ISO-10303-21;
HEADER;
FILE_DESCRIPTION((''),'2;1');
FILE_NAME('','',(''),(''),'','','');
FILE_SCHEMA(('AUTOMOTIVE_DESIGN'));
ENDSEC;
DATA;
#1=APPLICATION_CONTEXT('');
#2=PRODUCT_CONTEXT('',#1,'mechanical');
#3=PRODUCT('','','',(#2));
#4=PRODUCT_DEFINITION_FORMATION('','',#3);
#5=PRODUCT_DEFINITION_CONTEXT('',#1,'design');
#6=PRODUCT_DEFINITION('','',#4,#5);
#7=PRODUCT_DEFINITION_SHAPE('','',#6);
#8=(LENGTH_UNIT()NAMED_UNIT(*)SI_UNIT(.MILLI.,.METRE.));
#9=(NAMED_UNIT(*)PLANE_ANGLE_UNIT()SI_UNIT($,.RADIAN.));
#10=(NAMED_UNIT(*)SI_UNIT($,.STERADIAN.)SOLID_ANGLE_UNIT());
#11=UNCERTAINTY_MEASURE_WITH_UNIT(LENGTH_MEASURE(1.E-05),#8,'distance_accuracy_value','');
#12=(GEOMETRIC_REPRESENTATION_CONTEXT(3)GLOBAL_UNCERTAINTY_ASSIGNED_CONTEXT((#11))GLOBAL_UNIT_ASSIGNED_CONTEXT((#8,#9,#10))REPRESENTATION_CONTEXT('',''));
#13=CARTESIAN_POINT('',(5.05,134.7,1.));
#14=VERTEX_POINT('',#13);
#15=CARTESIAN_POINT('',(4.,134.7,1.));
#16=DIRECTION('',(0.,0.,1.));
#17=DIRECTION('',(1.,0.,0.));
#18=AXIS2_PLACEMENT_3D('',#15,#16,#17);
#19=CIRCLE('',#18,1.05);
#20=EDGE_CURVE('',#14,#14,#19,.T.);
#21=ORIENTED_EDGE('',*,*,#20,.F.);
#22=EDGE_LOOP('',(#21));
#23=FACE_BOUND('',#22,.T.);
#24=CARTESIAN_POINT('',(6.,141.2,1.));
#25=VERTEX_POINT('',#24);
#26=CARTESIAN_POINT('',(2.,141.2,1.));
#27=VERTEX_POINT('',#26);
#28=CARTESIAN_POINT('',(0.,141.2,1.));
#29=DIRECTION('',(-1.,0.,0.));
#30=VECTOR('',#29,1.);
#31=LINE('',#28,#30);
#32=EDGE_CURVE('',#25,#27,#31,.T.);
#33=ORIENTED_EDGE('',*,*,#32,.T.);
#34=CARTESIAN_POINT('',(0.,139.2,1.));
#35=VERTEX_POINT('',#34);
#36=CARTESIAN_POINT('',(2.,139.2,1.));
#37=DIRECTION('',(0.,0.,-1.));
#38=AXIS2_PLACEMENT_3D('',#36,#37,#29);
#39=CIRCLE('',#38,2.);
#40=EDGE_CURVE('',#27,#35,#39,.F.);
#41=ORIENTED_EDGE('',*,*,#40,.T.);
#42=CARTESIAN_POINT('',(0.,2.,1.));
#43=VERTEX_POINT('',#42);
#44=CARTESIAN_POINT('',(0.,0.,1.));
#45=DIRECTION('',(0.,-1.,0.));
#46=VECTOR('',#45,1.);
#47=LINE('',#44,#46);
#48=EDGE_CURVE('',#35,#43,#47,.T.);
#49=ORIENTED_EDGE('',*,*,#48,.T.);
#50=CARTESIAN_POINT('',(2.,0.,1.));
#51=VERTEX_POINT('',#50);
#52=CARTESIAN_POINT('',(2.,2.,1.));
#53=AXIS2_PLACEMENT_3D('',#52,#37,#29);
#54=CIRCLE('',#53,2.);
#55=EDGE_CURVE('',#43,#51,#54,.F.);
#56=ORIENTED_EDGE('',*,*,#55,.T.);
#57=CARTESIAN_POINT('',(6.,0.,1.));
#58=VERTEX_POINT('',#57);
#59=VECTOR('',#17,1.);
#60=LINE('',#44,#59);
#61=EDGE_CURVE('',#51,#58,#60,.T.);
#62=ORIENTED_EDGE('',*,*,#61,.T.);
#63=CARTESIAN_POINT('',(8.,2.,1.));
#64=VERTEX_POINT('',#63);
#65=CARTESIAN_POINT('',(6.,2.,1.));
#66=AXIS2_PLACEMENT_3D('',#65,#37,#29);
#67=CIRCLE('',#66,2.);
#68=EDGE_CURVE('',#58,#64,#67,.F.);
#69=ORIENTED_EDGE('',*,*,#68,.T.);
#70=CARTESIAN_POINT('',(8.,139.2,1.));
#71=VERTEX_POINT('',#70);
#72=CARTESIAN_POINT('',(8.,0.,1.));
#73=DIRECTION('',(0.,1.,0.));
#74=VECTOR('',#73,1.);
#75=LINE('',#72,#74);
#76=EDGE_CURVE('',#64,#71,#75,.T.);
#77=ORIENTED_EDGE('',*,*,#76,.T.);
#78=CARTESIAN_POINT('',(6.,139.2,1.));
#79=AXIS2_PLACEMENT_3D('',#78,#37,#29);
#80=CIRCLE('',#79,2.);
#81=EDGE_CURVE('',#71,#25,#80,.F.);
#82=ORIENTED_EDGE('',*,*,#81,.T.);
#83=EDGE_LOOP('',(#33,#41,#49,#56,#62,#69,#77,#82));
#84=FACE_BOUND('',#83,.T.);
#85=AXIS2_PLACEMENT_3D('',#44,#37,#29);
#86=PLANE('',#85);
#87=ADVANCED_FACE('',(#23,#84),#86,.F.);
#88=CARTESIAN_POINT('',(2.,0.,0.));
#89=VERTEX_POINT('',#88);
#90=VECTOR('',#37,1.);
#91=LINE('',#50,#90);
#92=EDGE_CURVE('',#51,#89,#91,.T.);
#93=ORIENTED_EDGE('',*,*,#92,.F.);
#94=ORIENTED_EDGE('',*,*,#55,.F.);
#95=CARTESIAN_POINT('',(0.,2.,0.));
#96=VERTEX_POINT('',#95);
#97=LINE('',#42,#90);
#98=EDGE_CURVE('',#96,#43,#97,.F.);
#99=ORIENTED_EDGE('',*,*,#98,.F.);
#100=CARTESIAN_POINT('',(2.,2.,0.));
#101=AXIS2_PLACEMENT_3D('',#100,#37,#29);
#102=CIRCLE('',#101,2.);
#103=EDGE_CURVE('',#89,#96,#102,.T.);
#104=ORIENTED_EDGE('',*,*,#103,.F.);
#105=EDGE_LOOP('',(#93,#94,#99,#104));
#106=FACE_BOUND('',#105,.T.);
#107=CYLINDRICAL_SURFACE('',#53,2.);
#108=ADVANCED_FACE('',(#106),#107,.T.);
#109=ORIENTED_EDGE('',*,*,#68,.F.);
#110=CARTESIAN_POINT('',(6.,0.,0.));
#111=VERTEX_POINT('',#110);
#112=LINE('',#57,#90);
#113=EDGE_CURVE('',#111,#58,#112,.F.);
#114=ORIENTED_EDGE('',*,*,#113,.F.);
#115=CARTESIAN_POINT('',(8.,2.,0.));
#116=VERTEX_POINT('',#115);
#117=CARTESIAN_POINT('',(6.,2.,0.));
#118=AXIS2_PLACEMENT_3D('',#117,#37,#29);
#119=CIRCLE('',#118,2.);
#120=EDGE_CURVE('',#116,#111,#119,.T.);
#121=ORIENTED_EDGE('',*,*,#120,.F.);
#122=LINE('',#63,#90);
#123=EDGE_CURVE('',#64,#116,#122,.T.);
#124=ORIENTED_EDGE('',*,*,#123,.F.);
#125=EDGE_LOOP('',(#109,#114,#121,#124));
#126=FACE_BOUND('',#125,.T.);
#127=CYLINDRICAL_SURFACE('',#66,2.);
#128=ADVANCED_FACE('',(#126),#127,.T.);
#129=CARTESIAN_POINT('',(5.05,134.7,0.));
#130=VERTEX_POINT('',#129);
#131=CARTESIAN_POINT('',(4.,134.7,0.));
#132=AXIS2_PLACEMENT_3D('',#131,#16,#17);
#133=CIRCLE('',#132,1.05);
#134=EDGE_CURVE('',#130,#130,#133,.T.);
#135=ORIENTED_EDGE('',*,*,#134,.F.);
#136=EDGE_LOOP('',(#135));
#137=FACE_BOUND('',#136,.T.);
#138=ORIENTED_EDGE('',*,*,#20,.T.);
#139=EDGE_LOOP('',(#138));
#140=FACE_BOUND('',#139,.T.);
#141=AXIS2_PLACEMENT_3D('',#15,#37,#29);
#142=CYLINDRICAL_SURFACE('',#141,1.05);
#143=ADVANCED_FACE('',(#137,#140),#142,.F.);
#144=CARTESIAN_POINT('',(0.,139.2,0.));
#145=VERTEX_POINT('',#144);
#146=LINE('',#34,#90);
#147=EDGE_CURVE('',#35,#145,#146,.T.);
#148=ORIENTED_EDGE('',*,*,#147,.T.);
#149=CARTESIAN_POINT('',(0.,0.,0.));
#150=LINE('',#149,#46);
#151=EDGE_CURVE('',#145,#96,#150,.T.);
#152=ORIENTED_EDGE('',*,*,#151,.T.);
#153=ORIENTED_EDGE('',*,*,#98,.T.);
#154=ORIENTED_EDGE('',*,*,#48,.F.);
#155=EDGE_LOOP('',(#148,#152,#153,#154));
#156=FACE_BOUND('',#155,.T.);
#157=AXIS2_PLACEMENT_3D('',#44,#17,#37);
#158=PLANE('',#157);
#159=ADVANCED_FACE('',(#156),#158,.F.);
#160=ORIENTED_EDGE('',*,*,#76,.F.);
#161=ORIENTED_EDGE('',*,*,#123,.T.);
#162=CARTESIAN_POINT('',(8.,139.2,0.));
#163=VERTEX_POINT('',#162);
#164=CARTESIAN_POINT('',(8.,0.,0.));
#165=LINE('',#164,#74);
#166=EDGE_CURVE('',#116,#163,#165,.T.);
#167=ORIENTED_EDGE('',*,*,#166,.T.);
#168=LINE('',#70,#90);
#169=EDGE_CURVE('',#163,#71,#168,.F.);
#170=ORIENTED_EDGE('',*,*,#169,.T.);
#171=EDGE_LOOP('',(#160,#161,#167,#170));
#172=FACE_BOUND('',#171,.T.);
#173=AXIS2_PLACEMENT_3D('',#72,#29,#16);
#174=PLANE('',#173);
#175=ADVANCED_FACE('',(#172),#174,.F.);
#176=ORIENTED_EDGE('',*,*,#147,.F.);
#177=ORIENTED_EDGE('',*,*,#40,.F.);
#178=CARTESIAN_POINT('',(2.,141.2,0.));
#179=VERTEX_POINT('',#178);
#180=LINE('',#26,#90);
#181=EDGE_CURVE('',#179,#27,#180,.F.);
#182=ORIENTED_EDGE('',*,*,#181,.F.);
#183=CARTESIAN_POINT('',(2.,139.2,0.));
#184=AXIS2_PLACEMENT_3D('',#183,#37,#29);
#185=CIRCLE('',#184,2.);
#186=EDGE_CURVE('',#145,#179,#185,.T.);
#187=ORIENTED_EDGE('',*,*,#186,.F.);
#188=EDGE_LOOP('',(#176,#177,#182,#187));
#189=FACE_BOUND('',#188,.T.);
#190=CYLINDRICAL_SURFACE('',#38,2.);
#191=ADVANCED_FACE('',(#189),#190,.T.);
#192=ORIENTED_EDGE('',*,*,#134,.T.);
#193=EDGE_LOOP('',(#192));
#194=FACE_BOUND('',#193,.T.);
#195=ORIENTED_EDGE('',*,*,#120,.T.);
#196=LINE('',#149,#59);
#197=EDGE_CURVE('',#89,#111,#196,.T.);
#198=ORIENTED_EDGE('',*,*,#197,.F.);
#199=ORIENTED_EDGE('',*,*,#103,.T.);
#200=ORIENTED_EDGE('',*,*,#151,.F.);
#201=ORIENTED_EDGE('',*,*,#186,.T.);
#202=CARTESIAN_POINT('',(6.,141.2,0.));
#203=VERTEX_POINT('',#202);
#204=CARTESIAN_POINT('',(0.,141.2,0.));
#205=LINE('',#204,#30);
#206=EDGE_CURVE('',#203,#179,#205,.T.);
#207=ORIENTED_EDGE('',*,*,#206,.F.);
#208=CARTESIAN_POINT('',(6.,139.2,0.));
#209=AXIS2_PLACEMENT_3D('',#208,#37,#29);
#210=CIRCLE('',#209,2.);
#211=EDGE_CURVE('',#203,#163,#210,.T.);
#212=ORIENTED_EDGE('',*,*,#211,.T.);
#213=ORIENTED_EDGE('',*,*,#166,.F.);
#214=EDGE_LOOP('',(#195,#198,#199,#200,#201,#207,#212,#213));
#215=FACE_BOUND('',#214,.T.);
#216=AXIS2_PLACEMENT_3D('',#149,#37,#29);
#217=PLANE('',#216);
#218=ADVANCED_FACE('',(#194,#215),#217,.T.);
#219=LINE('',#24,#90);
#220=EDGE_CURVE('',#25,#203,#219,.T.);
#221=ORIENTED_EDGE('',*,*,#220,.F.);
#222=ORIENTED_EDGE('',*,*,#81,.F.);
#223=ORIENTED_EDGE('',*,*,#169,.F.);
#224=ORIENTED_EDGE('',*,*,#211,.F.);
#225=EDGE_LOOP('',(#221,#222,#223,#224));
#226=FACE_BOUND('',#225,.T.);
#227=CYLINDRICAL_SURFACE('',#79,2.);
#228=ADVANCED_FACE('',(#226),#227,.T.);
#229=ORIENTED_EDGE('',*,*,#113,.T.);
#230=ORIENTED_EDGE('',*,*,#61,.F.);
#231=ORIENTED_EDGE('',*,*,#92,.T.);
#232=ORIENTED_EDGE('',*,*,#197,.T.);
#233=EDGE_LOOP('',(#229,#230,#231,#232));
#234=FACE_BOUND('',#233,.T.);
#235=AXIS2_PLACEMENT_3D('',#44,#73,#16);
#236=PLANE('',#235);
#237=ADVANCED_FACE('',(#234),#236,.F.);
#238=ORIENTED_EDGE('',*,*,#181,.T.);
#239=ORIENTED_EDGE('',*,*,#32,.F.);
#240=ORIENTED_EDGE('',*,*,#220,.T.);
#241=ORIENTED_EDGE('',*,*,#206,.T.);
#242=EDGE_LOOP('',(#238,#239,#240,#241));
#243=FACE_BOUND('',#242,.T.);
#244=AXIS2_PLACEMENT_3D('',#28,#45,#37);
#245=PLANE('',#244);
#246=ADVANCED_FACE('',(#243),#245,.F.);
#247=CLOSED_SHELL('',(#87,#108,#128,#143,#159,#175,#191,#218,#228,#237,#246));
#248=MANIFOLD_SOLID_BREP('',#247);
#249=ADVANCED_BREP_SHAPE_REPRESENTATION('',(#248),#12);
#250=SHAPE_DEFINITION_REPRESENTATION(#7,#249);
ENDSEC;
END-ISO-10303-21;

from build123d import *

# Parameters (mm, degrees)
SKETCH2_W           = 8
SKETCH2_H           = 141.2
SKETCH2_R           = 1.05
BOSS_EXTRUDE1_DEPTH = 1
FILLET1_R           = 2


with BuildPart() as part:
    # Sketch2 → Boss-Extrude1 (new body)
    with BuildSketch(Plane.XY):
        with Locations((4, 70.6)):
            Rectangle(SKETCH2_W, SKETCH2_H)
        with Locations((4, 134.7)):
            Circle(SKETCH2_R, mode=Mode.SUBTRACT)
    extrude(amount=BOSS_EXTRUDE1_DEPTH)

    # Fillet1
    fillet1_edges = [part.edges().sort_by_distance(p)[0] for p in [
        (0, 141.2, 0.5),
        (8, 141.2, 0.5),
        (8, 0, 0.5),
        (0, 0, 0.5),
    ]]
    fillet(fillet1_edges, radius=FILLET1_R)


solid = part.part
